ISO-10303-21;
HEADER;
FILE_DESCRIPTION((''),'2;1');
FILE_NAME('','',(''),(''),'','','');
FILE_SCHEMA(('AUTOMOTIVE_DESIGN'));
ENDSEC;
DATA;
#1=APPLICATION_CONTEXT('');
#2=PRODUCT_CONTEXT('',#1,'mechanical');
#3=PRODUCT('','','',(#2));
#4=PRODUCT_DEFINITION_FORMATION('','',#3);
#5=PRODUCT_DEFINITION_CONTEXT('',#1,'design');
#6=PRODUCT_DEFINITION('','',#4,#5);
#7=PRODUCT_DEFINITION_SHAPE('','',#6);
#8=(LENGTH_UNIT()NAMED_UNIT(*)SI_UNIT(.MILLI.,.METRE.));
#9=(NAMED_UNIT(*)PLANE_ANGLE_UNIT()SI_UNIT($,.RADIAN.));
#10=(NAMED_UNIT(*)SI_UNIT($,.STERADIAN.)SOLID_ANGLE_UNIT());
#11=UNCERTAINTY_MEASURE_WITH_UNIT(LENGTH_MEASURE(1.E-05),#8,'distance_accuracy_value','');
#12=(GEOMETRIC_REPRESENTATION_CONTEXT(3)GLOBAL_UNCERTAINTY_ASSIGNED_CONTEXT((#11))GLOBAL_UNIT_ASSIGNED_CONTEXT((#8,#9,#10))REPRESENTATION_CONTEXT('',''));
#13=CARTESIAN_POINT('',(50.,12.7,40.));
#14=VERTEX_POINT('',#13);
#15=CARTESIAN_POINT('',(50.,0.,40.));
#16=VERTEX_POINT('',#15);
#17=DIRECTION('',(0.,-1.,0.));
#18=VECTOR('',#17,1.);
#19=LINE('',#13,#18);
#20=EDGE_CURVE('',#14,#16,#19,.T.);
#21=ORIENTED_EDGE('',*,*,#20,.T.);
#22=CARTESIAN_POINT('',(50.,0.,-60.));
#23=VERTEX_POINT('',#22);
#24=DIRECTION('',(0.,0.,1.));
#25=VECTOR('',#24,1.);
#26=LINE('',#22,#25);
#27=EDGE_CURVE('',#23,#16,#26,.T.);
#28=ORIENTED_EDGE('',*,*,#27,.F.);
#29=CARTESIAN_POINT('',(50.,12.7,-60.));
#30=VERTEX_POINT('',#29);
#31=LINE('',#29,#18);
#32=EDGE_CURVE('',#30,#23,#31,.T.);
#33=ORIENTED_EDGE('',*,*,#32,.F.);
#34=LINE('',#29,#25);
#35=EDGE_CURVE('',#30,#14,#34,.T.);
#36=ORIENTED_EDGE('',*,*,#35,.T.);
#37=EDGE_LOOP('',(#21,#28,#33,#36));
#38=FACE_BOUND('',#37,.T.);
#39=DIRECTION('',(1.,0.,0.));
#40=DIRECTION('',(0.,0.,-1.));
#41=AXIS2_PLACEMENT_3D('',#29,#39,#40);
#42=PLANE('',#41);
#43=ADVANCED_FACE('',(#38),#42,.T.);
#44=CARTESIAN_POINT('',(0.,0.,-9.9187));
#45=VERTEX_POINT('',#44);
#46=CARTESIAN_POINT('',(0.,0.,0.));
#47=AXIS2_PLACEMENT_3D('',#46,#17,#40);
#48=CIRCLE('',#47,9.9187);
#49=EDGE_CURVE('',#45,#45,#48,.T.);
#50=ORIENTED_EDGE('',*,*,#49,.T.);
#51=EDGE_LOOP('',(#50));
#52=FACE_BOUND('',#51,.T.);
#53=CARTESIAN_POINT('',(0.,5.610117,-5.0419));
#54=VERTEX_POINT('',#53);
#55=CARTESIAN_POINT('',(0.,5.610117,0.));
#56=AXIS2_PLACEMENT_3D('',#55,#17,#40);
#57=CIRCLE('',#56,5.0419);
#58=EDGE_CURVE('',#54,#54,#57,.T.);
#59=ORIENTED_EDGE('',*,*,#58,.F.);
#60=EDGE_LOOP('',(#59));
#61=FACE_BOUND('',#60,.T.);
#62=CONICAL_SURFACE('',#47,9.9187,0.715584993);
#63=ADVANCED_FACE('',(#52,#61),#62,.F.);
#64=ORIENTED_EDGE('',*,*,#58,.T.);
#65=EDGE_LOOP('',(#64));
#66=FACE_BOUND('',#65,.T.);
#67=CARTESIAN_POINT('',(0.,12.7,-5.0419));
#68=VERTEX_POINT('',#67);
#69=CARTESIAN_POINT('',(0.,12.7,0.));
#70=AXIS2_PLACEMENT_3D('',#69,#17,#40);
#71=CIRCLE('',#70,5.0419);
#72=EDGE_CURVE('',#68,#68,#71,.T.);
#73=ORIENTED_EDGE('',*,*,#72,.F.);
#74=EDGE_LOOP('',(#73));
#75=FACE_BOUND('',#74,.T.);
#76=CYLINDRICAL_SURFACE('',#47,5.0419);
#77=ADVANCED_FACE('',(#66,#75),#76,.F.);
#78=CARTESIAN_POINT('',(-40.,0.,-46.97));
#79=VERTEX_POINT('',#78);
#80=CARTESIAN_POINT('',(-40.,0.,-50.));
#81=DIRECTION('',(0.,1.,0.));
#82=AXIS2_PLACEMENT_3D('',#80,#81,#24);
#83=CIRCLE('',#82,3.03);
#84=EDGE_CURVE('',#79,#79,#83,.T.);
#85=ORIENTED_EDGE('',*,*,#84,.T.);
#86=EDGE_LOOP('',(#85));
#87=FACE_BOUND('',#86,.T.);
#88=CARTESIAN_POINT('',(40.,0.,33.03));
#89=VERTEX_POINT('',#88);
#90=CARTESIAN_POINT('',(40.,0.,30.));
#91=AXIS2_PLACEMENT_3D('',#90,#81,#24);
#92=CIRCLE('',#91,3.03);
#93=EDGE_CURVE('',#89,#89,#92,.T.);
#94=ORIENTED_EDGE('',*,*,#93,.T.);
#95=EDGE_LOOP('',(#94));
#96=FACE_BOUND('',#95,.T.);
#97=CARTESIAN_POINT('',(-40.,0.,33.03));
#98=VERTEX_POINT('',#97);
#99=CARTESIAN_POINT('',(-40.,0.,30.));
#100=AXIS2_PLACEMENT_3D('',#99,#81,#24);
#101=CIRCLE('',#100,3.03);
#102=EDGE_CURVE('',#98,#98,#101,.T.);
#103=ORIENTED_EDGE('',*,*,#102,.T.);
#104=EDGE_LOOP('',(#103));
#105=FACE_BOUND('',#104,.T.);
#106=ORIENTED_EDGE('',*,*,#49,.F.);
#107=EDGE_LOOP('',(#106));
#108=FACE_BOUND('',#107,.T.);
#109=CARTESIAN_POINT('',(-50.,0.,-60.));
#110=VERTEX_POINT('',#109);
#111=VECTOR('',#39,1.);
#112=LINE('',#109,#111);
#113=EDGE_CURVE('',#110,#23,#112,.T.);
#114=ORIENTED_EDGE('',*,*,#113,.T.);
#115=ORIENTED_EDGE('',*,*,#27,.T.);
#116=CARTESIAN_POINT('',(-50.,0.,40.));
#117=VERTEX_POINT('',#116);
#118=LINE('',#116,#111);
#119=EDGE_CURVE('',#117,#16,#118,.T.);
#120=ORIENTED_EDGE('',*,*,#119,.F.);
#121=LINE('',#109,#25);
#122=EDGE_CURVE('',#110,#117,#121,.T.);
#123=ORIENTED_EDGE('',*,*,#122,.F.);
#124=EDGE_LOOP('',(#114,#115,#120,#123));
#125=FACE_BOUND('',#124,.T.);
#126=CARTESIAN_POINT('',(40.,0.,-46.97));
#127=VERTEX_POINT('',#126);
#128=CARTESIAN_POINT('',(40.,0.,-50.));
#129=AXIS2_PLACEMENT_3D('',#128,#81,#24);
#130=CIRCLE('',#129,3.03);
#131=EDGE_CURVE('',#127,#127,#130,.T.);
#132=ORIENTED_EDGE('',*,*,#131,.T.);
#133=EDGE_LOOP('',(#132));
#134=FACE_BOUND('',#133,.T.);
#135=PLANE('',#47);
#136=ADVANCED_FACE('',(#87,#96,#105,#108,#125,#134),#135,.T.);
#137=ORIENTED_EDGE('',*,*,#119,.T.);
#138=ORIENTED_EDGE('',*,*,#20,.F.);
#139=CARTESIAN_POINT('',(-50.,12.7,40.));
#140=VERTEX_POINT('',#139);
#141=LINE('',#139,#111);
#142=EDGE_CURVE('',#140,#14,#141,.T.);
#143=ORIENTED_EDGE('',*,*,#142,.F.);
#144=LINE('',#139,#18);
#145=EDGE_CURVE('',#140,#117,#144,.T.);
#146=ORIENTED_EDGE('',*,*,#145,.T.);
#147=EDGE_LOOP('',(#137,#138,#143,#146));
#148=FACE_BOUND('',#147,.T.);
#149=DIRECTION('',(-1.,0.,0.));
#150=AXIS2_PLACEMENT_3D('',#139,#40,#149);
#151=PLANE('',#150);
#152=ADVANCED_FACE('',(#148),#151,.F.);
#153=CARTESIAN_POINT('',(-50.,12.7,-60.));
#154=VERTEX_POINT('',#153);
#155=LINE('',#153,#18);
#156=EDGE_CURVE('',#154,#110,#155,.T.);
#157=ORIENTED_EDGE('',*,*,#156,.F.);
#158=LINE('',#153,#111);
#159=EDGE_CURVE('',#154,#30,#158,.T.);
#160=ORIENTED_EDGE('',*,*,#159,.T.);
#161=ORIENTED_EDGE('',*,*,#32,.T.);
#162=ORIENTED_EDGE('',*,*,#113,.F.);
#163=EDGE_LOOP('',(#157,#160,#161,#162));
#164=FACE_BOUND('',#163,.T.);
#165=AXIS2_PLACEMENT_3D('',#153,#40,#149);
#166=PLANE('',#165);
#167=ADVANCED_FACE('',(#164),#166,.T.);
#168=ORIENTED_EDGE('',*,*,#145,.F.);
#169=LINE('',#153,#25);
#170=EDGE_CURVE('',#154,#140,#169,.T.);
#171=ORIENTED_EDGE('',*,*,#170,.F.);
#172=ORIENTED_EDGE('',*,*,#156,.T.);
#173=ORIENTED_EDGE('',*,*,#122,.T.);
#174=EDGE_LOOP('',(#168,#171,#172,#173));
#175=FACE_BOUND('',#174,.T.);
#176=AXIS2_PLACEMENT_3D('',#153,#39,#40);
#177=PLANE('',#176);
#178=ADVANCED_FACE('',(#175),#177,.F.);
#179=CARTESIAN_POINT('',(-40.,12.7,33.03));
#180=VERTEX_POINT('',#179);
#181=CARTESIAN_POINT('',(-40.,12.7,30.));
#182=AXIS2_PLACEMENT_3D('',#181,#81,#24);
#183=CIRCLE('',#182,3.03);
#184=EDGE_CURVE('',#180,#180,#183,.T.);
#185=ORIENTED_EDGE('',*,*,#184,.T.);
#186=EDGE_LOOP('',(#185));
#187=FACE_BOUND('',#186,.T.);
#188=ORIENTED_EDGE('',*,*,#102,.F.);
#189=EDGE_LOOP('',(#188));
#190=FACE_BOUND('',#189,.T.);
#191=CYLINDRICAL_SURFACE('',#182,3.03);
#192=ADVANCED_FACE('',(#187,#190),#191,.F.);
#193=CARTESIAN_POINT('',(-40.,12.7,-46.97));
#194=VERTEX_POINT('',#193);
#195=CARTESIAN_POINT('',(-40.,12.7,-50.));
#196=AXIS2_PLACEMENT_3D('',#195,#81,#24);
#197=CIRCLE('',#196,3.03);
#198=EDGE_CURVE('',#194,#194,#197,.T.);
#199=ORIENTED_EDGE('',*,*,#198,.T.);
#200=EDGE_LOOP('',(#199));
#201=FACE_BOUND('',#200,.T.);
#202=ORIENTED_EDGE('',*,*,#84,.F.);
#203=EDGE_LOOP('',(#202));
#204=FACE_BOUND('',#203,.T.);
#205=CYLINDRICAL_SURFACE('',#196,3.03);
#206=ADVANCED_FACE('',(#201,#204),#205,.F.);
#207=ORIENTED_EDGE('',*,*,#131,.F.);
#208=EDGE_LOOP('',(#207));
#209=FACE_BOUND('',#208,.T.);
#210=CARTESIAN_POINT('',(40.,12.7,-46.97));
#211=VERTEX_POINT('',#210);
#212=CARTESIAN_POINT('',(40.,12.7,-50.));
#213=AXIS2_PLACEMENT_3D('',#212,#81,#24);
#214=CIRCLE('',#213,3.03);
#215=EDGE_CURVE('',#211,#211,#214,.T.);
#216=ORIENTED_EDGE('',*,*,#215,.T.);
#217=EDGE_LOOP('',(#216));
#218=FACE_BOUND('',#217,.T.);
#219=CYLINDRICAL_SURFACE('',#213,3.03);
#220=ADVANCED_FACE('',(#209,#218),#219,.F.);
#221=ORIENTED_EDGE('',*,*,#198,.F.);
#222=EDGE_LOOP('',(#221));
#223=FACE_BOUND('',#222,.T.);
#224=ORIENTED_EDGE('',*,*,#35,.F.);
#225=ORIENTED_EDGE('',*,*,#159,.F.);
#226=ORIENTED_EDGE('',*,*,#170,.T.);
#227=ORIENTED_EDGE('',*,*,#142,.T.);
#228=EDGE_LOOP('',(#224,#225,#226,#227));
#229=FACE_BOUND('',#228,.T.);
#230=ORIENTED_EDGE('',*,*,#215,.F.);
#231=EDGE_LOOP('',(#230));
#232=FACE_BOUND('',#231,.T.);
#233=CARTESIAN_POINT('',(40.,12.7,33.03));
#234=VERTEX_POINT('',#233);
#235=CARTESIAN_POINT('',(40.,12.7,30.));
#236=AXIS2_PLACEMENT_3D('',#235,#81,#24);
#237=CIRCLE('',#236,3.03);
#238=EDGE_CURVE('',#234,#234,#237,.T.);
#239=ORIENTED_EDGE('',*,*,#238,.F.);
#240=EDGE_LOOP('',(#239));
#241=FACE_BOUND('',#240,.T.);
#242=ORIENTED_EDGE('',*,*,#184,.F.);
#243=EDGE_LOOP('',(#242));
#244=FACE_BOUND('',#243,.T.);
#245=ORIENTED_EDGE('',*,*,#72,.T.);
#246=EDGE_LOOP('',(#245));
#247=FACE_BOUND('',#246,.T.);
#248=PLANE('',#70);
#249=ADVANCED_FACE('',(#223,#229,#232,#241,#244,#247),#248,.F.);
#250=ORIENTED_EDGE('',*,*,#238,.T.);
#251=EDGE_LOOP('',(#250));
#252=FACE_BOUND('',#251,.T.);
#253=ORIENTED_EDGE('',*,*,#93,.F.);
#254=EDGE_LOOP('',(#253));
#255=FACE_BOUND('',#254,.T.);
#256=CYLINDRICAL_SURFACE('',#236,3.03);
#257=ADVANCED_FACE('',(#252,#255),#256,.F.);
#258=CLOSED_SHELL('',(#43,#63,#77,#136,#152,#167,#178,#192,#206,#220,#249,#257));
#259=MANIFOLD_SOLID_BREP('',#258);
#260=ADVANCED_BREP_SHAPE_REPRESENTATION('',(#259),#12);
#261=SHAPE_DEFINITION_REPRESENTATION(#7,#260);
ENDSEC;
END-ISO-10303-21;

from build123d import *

# Parameters (mm, degrees)
SKETCH1_W                                           = 100
SKETCH1_H                                           = 100
BOSS_EXTRUDE1_DEPTH                                 = 12.7
M5_CLEARANCE_HOLE1_D                                = 6.06
CSK_FOR_3_8_FLAT_HEAD_SOCKET_CAP_SCREW1_D           = 10.0838
CSK_FOR_3_8_FLAT_HEAD_SOCKET_CAP_SCREW1_CSINK_D     = 19.8374
CSK_FOR_3_8_FLAT_HEAD_SOCKET_CAP_SCREW1_CSINK_ANGLE = 82


with BuildPart() as part:
    # Sketch1 → Boss-Extrude1 (new body)
    with BuildSketch(Plane(origin=(0, 0, 0), x_dir=(1, 0, 0), z_dir=(0, 1, 0))):
        with Locations((0, 10)):
            Rectangle(SKETCH1_W, SKETCH1_H)
    extrude(amount=BOSS_EXTRUDE1_DEPTH)

    # M5 Clearance Hole1 (through all)
    with Locations(Plane(origin=(0, 12.7, 0), x_dir=(1, 0, 0), z_dir=(0, 1, 0))):
        with Locations((-40, 50), (40, 50), (40, -30), (-40, -30)):
            Hole(M5_CLEARANCE_HOLE1_D / 2)

    # CSK for 3/8 Flat Head Socket Cap Screw1 (through all)
    with Locations(Plane(origin=(0, 0, 0), x_dir=(-1, 0, 0), z_dir=(0, -1, 0))):
        with Locations((0, 0)):
            CounterSinkHole(CSK_FOR_3_8_FLAT_HEAD_SOCKET_CAP_SCREW1_D / 2, CSK_FOR_3_8_FLAT_HEAD_SOCKET_CAP_SCREW1_CSINK_D / 2, counter_sink_angle=CSK_FOR_3_8_FLAT_HEAD_SOCKET_CAP_SCREW1_CSINK_ANGLE)


solid = part.part
